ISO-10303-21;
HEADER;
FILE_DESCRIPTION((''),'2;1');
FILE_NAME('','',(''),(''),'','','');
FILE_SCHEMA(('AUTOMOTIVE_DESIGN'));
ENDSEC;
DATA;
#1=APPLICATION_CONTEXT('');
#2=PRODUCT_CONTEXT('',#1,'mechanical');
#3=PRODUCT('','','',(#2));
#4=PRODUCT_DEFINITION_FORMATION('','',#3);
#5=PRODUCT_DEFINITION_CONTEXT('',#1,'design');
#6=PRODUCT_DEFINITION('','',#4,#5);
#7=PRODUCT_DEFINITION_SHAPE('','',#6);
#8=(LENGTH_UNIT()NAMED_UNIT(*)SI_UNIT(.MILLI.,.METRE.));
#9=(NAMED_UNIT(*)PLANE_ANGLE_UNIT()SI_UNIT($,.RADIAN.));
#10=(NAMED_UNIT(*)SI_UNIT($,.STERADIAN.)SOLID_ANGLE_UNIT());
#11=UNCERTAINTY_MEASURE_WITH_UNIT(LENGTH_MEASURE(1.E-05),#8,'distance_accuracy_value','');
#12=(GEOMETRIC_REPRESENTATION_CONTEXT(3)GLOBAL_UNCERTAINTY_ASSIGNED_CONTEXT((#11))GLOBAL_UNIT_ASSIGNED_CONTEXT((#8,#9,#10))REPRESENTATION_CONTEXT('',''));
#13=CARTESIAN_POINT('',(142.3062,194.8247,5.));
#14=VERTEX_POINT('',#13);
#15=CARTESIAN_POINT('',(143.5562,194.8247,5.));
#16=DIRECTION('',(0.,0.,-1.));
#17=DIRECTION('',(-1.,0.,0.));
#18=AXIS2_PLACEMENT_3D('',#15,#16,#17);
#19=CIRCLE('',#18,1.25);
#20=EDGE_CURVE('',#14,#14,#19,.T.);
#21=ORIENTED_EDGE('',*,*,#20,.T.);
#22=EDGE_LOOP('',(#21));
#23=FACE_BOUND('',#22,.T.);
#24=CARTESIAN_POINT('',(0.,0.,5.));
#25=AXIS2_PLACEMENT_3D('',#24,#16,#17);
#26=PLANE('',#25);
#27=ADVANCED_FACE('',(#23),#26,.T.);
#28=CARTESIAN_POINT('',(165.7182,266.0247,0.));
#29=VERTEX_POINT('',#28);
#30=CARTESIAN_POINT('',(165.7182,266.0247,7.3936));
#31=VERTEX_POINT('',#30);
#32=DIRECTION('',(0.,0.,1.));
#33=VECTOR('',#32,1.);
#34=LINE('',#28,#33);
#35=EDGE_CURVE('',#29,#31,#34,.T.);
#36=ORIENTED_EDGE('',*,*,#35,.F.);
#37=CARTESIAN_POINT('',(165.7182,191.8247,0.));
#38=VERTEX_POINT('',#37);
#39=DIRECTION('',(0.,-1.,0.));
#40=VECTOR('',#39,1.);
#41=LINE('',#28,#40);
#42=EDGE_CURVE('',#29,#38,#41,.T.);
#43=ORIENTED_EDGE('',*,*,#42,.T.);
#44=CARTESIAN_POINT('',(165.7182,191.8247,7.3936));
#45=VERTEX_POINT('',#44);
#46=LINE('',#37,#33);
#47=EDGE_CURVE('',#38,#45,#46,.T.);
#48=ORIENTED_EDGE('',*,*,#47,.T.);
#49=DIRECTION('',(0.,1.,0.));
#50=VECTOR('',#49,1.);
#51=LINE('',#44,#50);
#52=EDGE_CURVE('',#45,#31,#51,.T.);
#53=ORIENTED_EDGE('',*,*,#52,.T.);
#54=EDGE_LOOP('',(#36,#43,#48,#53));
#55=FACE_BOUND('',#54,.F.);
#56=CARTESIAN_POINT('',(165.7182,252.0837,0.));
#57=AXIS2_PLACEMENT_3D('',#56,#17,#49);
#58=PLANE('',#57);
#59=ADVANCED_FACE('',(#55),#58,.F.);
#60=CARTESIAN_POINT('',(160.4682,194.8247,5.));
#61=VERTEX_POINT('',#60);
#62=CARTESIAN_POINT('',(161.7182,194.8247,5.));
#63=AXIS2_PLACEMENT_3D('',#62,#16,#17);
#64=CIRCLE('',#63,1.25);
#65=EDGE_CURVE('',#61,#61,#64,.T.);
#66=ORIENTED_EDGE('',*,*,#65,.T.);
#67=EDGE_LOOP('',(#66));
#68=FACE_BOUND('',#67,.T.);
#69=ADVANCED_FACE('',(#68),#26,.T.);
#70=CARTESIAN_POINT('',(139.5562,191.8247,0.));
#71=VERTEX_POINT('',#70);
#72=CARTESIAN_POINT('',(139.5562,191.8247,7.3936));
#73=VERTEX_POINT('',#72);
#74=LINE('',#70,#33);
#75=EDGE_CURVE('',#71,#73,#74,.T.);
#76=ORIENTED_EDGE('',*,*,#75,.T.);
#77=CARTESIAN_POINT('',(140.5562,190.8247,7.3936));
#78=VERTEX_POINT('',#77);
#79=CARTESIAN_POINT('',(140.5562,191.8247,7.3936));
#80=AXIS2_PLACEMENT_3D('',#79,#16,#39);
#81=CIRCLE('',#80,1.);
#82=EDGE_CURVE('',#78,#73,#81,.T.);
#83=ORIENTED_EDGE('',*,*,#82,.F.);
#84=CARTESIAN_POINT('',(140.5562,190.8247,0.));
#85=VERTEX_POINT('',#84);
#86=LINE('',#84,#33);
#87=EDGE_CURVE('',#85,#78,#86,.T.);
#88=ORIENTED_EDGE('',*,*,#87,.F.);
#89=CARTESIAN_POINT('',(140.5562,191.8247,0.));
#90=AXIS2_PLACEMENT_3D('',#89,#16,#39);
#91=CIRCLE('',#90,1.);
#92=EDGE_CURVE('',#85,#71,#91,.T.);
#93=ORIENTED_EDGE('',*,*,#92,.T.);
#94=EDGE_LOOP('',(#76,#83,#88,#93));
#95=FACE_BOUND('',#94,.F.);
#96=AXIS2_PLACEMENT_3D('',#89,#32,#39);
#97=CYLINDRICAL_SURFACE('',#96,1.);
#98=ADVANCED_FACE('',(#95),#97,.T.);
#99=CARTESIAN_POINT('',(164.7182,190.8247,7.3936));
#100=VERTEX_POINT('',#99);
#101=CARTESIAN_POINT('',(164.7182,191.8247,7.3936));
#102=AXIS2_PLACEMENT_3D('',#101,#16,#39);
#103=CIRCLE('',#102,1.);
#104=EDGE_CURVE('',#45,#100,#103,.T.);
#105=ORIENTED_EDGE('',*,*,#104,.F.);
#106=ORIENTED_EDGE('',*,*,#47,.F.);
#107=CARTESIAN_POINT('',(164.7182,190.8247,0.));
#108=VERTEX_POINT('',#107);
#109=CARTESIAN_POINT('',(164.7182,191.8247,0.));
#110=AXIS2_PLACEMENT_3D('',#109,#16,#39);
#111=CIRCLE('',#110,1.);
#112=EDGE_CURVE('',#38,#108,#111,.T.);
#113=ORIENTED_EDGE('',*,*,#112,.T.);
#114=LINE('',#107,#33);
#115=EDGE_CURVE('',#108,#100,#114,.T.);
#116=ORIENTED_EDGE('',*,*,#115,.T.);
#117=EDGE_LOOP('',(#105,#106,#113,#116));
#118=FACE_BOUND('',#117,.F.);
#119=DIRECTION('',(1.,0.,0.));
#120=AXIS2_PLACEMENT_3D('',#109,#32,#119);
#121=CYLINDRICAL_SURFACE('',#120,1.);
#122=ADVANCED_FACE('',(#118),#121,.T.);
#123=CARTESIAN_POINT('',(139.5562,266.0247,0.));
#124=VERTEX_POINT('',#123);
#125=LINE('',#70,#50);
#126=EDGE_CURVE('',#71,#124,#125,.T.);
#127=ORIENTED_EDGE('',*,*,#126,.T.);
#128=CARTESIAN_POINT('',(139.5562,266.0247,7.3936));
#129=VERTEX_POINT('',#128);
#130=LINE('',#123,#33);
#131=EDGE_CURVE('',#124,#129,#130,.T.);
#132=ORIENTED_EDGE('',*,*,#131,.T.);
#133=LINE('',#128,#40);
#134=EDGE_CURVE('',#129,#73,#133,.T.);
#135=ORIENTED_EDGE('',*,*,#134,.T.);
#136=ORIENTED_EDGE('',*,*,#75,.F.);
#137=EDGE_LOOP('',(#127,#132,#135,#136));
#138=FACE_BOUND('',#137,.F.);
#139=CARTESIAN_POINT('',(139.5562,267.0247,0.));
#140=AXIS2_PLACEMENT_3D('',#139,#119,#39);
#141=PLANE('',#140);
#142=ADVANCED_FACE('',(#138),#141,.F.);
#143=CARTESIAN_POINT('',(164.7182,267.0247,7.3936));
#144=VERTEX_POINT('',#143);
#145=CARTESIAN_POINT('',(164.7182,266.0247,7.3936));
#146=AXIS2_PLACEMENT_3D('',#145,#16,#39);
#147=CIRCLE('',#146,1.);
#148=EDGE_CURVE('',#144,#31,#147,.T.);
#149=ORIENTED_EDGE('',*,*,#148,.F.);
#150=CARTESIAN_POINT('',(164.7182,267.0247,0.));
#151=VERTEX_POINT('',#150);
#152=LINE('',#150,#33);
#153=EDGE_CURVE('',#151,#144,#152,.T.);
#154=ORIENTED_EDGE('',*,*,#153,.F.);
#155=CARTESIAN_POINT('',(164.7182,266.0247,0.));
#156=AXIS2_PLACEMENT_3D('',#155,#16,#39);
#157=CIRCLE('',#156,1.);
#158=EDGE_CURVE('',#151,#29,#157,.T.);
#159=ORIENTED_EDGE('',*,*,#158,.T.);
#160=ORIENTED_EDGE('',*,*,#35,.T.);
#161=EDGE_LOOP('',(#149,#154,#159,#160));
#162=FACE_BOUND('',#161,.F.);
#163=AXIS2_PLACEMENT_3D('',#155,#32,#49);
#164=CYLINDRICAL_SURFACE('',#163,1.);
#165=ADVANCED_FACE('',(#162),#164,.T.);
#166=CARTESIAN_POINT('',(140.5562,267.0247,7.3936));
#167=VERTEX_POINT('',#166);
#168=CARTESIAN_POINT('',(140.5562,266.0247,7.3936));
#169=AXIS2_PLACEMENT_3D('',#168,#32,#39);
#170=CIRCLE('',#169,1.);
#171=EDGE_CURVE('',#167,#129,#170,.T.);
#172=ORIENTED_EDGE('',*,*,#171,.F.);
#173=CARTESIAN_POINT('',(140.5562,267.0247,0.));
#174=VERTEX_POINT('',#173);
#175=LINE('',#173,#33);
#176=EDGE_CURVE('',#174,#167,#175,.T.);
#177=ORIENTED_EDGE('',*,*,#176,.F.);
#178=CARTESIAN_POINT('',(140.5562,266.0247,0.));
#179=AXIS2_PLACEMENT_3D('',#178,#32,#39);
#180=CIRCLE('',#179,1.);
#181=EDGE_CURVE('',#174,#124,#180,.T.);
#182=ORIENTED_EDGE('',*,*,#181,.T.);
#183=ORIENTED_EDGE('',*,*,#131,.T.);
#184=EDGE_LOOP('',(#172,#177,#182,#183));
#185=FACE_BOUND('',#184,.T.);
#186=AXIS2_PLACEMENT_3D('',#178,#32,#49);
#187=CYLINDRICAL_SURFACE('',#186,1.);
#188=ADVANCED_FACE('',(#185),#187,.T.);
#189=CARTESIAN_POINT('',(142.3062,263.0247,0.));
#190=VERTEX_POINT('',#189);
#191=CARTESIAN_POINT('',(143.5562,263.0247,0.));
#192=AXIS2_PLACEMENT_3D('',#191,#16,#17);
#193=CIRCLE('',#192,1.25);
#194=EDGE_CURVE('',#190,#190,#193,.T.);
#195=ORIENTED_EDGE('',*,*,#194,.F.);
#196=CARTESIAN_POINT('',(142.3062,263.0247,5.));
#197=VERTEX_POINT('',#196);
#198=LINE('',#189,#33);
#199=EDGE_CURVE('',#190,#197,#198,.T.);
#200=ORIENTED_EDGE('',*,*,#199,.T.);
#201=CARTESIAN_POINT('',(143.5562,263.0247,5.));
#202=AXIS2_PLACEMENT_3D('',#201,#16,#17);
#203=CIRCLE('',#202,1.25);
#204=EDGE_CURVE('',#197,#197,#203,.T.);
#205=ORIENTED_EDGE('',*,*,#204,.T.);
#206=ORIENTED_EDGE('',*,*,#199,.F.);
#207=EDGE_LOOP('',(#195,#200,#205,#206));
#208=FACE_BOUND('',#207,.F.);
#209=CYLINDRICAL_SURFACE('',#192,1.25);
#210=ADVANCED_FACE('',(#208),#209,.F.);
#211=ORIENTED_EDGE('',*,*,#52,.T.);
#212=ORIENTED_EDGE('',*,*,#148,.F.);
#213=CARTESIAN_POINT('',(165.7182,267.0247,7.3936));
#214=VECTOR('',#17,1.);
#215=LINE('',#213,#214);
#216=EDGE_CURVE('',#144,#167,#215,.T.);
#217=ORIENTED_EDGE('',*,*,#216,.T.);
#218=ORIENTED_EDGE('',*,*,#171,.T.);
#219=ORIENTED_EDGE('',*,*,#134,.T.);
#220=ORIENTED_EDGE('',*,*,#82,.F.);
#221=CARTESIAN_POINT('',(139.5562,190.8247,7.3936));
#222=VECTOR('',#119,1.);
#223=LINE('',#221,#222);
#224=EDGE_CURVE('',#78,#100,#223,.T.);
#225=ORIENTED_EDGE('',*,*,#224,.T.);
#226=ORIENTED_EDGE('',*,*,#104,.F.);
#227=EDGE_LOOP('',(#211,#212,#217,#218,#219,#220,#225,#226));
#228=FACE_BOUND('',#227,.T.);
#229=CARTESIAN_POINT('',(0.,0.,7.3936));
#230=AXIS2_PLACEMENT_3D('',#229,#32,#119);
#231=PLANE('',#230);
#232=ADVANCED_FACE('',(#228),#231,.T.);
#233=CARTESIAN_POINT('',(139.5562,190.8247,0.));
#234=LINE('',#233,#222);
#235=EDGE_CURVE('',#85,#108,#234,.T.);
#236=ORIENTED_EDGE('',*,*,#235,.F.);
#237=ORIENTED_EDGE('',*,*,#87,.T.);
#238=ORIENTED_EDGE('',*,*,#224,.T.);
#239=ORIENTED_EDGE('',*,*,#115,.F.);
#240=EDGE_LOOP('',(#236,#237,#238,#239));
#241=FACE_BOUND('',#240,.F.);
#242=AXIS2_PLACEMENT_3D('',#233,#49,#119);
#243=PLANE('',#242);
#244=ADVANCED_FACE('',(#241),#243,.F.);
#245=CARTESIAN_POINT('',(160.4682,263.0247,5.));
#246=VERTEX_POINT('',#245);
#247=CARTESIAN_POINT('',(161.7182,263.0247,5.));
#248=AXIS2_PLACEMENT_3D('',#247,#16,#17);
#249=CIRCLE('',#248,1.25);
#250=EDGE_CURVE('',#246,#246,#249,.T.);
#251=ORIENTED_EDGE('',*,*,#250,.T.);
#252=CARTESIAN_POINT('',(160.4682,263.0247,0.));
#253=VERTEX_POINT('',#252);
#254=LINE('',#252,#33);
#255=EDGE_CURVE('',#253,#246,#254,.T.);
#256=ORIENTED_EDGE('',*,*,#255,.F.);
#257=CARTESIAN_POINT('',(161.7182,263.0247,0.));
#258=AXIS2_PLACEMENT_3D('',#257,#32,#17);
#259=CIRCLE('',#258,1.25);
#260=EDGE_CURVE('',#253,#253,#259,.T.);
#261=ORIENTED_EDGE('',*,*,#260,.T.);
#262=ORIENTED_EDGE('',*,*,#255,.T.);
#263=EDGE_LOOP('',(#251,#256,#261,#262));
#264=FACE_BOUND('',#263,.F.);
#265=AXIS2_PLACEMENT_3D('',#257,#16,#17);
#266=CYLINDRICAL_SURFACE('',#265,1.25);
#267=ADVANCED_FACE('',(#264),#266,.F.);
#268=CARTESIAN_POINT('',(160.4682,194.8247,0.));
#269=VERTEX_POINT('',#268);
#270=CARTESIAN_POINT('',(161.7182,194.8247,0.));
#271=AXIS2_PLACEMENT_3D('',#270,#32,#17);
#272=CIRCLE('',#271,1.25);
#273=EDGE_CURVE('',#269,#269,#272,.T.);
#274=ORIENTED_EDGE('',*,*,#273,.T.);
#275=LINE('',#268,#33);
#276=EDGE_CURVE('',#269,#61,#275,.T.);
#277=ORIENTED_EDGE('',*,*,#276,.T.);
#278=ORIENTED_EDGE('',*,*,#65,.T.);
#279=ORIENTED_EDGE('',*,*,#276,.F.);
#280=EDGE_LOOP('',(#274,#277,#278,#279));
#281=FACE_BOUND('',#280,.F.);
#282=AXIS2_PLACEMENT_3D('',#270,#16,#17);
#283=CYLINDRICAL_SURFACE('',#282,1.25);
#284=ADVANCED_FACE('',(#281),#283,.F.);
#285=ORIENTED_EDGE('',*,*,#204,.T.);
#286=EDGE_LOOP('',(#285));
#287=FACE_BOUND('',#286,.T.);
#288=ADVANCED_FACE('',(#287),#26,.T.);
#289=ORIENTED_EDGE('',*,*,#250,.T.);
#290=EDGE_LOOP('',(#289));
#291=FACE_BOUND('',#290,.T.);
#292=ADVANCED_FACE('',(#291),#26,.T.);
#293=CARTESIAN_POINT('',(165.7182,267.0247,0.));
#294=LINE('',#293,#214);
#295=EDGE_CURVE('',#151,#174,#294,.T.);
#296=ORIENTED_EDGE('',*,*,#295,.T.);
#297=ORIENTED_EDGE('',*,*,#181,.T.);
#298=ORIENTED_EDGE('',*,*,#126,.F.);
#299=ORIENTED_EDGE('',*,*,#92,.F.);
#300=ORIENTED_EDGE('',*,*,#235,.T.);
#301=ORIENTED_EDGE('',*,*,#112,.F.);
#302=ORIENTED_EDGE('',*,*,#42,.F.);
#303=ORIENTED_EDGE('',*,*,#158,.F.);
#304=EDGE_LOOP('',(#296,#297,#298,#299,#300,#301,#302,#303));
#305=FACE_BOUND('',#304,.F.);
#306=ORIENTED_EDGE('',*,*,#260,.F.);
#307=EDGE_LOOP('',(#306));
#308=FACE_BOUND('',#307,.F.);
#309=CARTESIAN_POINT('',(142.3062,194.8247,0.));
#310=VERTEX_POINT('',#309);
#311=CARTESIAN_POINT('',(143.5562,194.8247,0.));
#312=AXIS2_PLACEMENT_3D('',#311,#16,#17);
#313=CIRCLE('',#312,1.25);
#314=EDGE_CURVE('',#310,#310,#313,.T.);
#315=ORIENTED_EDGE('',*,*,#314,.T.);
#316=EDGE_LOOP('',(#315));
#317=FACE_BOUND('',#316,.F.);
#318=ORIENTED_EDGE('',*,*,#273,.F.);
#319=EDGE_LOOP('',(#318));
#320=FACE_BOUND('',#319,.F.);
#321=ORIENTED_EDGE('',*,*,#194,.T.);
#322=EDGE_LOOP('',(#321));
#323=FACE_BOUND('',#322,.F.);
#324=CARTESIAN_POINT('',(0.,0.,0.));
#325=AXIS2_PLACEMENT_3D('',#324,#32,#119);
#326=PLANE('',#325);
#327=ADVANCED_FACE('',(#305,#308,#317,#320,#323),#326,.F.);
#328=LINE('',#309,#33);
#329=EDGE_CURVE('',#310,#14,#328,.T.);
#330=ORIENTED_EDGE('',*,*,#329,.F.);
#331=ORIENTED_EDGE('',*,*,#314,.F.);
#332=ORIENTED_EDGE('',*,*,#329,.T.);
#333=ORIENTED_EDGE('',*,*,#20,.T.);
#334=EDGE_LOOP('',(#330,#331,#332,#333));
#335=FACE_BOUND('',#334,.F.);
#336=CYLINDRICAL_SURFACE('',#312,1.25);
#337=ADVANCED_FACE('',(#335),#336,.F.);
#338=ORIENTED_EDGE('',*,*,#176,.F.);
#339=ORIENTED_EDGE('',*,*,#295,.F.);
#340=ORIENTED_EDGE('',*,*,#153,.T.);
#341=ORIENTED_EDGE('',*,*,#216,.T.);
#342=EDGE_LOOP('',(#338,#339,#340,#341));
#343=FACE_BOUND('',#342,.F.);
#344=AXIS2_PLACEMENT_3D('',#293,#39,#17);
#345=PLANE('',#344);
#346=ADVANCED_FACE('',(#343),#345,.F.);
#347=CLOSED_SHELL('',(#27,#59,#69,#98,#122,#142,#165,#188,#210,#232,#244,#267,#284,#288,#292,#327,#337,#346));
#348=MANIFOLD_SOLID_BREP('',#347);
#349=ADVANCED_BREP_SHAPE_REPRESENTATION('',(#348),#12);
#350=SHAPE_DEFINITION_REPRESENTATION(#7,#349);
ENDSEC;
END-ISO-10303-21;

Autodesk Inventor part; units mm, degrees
ref_plane "YZ Plane" through (0, 0, 0) normal (1, 0, 0) x (0, 1, 0)
ref_plane "XZ Plane" through (0, 0, 0) normal (0, 1, 0) x (-1, 0, 0)
sketch "Sketch1" plane through (0, 0, 0) normal (0, 0, 1) x (1, 0, 0)
  line L0 (165.7182, 252.0837) -> (146.6642, 252.0837) projected
  line L1 (158.6327, 216.5237) -> (165.7182, 216.5237) projected
  line L2 (139.5562, 216.5237) -> (143.6242, 216.5237) projected
  line L3 (143.6242, 252.0837) -> (139.5562, 252.0837) projected
  line L4 (126.4117, 267.0247) -> (136.1907, 267.0247) projected
  line L5 (136.1907, 190.8247) -> (126.4117, 190.8247) projected
  line L6 (139.5562, 267.0247) -> (139.5562, 190.8247)
  line L7 (139.5562, 190.8247) -> (165.7182, 190.8247)
  line L8 (165.7182, 190.8247) -> (165.7182, 267.0247)
  line L9 (165.7182, 267.0247) -> (139.5562, 267.0247)
  point P0 (0, 0)
ref_plane "Work Plane1" through (146.6642, 216.5237, 7.3936) normal (0, 0, -1) x (0, 1, 0)
extrude "Extrusion1" add sketch "Sketch1" along normal up to surface (7.3936 mm away)
fillet "Fillet1" radius 1 4 edges at (139.5562, 190.8247, 3.6968) (139.5562, 267.0247, 3.6968) (165.7182, 267.0247, 3.6968) (165.7182, 190.8247, 3.6968)
sketch "Sketch3" plane through (0, 0, 0) normal (0, 0, -1) x (-1, 0, 0)
  circle A0 centre (-160.3842, 185.8247) radius 1.25
  line L0 (-165.7182, 191.8247) -> (-165.7182, 194.8247)
  line L1 (-165.7182, 191.8247) -> (-165.7182, 266.0247) projected
  line L2 (-165.7182, 194.8247) -> (-161.7182, 194.8247)
  circle A1 centre (-161.7182, 194.8247) radius 1.25
  line L3 (-140.5562, 190.8247) -> (-164.7182, 190.8247) projected
  line L4 (-165.7182, 228.9247) -> (-156.0588, 228.9247)
  line L5 (-152.6372, 190.8247) -> (-152.6372, 206.7203)
  line L6 (-139.5562, 191.8247) -> (-139.5562, 194.8247)
  line L7 (-139.5562, 191.8247) -> (-139.5562, 266.0247)
  line L8 (-139.5562, 194.8247) -> (-143.5562, 194.8247)
  circle A2 centre (-143.5562, 194.8247) radius 1.25
  line L9 (-164.7182, 190.8247) -> (-140.5562, 190.8247)
  circle A3 centre (-160.3842, 272.0247) radius 1.25
  line L10 (-165.7182, 266.0247) -> (-165.7182, 263.0247)
  line L11 (-165.7182, 266.0247) -> (-165.7182, 191.8247)
  line L12 (-165.7182, 263.0247) -> (-161.7182, 263.0247)
  circle A4 centre (-161.7182, 263.0247) radius 1.25
  line L13 (-140.5562, 267.0247) -> (-164.7182, 267.0247)
  line L14 (-152.6372, 267.0247) -> (-152.6372, 251.1291)
  line L15 (-139.5562, 266.0247) -> (-139.5562, 263.0247)
  line L16 (-139.5562, 266.0247) -> (-139.5562, 191.8247)
  line L17 (-139.5562, 263.0247) -> (-143.5562, 263.0247)
  circle A5 centre (-143.5562, 263.0247) radius 1.25
  line L18 (-164.7182, 267.0247) -> (-140.5562, 267.0247)
  point P0 (0, 0)
  dimension "d11" = 3
  dimension "d12" = 4
  dimension "d13" = 2.5
  dimension "d14" = 4
extrude "Extrusion3" cut sketch "Sketch3" against normal blind 5 contours A4 | A1 | A5 | A2
properties part number "Supporter"
